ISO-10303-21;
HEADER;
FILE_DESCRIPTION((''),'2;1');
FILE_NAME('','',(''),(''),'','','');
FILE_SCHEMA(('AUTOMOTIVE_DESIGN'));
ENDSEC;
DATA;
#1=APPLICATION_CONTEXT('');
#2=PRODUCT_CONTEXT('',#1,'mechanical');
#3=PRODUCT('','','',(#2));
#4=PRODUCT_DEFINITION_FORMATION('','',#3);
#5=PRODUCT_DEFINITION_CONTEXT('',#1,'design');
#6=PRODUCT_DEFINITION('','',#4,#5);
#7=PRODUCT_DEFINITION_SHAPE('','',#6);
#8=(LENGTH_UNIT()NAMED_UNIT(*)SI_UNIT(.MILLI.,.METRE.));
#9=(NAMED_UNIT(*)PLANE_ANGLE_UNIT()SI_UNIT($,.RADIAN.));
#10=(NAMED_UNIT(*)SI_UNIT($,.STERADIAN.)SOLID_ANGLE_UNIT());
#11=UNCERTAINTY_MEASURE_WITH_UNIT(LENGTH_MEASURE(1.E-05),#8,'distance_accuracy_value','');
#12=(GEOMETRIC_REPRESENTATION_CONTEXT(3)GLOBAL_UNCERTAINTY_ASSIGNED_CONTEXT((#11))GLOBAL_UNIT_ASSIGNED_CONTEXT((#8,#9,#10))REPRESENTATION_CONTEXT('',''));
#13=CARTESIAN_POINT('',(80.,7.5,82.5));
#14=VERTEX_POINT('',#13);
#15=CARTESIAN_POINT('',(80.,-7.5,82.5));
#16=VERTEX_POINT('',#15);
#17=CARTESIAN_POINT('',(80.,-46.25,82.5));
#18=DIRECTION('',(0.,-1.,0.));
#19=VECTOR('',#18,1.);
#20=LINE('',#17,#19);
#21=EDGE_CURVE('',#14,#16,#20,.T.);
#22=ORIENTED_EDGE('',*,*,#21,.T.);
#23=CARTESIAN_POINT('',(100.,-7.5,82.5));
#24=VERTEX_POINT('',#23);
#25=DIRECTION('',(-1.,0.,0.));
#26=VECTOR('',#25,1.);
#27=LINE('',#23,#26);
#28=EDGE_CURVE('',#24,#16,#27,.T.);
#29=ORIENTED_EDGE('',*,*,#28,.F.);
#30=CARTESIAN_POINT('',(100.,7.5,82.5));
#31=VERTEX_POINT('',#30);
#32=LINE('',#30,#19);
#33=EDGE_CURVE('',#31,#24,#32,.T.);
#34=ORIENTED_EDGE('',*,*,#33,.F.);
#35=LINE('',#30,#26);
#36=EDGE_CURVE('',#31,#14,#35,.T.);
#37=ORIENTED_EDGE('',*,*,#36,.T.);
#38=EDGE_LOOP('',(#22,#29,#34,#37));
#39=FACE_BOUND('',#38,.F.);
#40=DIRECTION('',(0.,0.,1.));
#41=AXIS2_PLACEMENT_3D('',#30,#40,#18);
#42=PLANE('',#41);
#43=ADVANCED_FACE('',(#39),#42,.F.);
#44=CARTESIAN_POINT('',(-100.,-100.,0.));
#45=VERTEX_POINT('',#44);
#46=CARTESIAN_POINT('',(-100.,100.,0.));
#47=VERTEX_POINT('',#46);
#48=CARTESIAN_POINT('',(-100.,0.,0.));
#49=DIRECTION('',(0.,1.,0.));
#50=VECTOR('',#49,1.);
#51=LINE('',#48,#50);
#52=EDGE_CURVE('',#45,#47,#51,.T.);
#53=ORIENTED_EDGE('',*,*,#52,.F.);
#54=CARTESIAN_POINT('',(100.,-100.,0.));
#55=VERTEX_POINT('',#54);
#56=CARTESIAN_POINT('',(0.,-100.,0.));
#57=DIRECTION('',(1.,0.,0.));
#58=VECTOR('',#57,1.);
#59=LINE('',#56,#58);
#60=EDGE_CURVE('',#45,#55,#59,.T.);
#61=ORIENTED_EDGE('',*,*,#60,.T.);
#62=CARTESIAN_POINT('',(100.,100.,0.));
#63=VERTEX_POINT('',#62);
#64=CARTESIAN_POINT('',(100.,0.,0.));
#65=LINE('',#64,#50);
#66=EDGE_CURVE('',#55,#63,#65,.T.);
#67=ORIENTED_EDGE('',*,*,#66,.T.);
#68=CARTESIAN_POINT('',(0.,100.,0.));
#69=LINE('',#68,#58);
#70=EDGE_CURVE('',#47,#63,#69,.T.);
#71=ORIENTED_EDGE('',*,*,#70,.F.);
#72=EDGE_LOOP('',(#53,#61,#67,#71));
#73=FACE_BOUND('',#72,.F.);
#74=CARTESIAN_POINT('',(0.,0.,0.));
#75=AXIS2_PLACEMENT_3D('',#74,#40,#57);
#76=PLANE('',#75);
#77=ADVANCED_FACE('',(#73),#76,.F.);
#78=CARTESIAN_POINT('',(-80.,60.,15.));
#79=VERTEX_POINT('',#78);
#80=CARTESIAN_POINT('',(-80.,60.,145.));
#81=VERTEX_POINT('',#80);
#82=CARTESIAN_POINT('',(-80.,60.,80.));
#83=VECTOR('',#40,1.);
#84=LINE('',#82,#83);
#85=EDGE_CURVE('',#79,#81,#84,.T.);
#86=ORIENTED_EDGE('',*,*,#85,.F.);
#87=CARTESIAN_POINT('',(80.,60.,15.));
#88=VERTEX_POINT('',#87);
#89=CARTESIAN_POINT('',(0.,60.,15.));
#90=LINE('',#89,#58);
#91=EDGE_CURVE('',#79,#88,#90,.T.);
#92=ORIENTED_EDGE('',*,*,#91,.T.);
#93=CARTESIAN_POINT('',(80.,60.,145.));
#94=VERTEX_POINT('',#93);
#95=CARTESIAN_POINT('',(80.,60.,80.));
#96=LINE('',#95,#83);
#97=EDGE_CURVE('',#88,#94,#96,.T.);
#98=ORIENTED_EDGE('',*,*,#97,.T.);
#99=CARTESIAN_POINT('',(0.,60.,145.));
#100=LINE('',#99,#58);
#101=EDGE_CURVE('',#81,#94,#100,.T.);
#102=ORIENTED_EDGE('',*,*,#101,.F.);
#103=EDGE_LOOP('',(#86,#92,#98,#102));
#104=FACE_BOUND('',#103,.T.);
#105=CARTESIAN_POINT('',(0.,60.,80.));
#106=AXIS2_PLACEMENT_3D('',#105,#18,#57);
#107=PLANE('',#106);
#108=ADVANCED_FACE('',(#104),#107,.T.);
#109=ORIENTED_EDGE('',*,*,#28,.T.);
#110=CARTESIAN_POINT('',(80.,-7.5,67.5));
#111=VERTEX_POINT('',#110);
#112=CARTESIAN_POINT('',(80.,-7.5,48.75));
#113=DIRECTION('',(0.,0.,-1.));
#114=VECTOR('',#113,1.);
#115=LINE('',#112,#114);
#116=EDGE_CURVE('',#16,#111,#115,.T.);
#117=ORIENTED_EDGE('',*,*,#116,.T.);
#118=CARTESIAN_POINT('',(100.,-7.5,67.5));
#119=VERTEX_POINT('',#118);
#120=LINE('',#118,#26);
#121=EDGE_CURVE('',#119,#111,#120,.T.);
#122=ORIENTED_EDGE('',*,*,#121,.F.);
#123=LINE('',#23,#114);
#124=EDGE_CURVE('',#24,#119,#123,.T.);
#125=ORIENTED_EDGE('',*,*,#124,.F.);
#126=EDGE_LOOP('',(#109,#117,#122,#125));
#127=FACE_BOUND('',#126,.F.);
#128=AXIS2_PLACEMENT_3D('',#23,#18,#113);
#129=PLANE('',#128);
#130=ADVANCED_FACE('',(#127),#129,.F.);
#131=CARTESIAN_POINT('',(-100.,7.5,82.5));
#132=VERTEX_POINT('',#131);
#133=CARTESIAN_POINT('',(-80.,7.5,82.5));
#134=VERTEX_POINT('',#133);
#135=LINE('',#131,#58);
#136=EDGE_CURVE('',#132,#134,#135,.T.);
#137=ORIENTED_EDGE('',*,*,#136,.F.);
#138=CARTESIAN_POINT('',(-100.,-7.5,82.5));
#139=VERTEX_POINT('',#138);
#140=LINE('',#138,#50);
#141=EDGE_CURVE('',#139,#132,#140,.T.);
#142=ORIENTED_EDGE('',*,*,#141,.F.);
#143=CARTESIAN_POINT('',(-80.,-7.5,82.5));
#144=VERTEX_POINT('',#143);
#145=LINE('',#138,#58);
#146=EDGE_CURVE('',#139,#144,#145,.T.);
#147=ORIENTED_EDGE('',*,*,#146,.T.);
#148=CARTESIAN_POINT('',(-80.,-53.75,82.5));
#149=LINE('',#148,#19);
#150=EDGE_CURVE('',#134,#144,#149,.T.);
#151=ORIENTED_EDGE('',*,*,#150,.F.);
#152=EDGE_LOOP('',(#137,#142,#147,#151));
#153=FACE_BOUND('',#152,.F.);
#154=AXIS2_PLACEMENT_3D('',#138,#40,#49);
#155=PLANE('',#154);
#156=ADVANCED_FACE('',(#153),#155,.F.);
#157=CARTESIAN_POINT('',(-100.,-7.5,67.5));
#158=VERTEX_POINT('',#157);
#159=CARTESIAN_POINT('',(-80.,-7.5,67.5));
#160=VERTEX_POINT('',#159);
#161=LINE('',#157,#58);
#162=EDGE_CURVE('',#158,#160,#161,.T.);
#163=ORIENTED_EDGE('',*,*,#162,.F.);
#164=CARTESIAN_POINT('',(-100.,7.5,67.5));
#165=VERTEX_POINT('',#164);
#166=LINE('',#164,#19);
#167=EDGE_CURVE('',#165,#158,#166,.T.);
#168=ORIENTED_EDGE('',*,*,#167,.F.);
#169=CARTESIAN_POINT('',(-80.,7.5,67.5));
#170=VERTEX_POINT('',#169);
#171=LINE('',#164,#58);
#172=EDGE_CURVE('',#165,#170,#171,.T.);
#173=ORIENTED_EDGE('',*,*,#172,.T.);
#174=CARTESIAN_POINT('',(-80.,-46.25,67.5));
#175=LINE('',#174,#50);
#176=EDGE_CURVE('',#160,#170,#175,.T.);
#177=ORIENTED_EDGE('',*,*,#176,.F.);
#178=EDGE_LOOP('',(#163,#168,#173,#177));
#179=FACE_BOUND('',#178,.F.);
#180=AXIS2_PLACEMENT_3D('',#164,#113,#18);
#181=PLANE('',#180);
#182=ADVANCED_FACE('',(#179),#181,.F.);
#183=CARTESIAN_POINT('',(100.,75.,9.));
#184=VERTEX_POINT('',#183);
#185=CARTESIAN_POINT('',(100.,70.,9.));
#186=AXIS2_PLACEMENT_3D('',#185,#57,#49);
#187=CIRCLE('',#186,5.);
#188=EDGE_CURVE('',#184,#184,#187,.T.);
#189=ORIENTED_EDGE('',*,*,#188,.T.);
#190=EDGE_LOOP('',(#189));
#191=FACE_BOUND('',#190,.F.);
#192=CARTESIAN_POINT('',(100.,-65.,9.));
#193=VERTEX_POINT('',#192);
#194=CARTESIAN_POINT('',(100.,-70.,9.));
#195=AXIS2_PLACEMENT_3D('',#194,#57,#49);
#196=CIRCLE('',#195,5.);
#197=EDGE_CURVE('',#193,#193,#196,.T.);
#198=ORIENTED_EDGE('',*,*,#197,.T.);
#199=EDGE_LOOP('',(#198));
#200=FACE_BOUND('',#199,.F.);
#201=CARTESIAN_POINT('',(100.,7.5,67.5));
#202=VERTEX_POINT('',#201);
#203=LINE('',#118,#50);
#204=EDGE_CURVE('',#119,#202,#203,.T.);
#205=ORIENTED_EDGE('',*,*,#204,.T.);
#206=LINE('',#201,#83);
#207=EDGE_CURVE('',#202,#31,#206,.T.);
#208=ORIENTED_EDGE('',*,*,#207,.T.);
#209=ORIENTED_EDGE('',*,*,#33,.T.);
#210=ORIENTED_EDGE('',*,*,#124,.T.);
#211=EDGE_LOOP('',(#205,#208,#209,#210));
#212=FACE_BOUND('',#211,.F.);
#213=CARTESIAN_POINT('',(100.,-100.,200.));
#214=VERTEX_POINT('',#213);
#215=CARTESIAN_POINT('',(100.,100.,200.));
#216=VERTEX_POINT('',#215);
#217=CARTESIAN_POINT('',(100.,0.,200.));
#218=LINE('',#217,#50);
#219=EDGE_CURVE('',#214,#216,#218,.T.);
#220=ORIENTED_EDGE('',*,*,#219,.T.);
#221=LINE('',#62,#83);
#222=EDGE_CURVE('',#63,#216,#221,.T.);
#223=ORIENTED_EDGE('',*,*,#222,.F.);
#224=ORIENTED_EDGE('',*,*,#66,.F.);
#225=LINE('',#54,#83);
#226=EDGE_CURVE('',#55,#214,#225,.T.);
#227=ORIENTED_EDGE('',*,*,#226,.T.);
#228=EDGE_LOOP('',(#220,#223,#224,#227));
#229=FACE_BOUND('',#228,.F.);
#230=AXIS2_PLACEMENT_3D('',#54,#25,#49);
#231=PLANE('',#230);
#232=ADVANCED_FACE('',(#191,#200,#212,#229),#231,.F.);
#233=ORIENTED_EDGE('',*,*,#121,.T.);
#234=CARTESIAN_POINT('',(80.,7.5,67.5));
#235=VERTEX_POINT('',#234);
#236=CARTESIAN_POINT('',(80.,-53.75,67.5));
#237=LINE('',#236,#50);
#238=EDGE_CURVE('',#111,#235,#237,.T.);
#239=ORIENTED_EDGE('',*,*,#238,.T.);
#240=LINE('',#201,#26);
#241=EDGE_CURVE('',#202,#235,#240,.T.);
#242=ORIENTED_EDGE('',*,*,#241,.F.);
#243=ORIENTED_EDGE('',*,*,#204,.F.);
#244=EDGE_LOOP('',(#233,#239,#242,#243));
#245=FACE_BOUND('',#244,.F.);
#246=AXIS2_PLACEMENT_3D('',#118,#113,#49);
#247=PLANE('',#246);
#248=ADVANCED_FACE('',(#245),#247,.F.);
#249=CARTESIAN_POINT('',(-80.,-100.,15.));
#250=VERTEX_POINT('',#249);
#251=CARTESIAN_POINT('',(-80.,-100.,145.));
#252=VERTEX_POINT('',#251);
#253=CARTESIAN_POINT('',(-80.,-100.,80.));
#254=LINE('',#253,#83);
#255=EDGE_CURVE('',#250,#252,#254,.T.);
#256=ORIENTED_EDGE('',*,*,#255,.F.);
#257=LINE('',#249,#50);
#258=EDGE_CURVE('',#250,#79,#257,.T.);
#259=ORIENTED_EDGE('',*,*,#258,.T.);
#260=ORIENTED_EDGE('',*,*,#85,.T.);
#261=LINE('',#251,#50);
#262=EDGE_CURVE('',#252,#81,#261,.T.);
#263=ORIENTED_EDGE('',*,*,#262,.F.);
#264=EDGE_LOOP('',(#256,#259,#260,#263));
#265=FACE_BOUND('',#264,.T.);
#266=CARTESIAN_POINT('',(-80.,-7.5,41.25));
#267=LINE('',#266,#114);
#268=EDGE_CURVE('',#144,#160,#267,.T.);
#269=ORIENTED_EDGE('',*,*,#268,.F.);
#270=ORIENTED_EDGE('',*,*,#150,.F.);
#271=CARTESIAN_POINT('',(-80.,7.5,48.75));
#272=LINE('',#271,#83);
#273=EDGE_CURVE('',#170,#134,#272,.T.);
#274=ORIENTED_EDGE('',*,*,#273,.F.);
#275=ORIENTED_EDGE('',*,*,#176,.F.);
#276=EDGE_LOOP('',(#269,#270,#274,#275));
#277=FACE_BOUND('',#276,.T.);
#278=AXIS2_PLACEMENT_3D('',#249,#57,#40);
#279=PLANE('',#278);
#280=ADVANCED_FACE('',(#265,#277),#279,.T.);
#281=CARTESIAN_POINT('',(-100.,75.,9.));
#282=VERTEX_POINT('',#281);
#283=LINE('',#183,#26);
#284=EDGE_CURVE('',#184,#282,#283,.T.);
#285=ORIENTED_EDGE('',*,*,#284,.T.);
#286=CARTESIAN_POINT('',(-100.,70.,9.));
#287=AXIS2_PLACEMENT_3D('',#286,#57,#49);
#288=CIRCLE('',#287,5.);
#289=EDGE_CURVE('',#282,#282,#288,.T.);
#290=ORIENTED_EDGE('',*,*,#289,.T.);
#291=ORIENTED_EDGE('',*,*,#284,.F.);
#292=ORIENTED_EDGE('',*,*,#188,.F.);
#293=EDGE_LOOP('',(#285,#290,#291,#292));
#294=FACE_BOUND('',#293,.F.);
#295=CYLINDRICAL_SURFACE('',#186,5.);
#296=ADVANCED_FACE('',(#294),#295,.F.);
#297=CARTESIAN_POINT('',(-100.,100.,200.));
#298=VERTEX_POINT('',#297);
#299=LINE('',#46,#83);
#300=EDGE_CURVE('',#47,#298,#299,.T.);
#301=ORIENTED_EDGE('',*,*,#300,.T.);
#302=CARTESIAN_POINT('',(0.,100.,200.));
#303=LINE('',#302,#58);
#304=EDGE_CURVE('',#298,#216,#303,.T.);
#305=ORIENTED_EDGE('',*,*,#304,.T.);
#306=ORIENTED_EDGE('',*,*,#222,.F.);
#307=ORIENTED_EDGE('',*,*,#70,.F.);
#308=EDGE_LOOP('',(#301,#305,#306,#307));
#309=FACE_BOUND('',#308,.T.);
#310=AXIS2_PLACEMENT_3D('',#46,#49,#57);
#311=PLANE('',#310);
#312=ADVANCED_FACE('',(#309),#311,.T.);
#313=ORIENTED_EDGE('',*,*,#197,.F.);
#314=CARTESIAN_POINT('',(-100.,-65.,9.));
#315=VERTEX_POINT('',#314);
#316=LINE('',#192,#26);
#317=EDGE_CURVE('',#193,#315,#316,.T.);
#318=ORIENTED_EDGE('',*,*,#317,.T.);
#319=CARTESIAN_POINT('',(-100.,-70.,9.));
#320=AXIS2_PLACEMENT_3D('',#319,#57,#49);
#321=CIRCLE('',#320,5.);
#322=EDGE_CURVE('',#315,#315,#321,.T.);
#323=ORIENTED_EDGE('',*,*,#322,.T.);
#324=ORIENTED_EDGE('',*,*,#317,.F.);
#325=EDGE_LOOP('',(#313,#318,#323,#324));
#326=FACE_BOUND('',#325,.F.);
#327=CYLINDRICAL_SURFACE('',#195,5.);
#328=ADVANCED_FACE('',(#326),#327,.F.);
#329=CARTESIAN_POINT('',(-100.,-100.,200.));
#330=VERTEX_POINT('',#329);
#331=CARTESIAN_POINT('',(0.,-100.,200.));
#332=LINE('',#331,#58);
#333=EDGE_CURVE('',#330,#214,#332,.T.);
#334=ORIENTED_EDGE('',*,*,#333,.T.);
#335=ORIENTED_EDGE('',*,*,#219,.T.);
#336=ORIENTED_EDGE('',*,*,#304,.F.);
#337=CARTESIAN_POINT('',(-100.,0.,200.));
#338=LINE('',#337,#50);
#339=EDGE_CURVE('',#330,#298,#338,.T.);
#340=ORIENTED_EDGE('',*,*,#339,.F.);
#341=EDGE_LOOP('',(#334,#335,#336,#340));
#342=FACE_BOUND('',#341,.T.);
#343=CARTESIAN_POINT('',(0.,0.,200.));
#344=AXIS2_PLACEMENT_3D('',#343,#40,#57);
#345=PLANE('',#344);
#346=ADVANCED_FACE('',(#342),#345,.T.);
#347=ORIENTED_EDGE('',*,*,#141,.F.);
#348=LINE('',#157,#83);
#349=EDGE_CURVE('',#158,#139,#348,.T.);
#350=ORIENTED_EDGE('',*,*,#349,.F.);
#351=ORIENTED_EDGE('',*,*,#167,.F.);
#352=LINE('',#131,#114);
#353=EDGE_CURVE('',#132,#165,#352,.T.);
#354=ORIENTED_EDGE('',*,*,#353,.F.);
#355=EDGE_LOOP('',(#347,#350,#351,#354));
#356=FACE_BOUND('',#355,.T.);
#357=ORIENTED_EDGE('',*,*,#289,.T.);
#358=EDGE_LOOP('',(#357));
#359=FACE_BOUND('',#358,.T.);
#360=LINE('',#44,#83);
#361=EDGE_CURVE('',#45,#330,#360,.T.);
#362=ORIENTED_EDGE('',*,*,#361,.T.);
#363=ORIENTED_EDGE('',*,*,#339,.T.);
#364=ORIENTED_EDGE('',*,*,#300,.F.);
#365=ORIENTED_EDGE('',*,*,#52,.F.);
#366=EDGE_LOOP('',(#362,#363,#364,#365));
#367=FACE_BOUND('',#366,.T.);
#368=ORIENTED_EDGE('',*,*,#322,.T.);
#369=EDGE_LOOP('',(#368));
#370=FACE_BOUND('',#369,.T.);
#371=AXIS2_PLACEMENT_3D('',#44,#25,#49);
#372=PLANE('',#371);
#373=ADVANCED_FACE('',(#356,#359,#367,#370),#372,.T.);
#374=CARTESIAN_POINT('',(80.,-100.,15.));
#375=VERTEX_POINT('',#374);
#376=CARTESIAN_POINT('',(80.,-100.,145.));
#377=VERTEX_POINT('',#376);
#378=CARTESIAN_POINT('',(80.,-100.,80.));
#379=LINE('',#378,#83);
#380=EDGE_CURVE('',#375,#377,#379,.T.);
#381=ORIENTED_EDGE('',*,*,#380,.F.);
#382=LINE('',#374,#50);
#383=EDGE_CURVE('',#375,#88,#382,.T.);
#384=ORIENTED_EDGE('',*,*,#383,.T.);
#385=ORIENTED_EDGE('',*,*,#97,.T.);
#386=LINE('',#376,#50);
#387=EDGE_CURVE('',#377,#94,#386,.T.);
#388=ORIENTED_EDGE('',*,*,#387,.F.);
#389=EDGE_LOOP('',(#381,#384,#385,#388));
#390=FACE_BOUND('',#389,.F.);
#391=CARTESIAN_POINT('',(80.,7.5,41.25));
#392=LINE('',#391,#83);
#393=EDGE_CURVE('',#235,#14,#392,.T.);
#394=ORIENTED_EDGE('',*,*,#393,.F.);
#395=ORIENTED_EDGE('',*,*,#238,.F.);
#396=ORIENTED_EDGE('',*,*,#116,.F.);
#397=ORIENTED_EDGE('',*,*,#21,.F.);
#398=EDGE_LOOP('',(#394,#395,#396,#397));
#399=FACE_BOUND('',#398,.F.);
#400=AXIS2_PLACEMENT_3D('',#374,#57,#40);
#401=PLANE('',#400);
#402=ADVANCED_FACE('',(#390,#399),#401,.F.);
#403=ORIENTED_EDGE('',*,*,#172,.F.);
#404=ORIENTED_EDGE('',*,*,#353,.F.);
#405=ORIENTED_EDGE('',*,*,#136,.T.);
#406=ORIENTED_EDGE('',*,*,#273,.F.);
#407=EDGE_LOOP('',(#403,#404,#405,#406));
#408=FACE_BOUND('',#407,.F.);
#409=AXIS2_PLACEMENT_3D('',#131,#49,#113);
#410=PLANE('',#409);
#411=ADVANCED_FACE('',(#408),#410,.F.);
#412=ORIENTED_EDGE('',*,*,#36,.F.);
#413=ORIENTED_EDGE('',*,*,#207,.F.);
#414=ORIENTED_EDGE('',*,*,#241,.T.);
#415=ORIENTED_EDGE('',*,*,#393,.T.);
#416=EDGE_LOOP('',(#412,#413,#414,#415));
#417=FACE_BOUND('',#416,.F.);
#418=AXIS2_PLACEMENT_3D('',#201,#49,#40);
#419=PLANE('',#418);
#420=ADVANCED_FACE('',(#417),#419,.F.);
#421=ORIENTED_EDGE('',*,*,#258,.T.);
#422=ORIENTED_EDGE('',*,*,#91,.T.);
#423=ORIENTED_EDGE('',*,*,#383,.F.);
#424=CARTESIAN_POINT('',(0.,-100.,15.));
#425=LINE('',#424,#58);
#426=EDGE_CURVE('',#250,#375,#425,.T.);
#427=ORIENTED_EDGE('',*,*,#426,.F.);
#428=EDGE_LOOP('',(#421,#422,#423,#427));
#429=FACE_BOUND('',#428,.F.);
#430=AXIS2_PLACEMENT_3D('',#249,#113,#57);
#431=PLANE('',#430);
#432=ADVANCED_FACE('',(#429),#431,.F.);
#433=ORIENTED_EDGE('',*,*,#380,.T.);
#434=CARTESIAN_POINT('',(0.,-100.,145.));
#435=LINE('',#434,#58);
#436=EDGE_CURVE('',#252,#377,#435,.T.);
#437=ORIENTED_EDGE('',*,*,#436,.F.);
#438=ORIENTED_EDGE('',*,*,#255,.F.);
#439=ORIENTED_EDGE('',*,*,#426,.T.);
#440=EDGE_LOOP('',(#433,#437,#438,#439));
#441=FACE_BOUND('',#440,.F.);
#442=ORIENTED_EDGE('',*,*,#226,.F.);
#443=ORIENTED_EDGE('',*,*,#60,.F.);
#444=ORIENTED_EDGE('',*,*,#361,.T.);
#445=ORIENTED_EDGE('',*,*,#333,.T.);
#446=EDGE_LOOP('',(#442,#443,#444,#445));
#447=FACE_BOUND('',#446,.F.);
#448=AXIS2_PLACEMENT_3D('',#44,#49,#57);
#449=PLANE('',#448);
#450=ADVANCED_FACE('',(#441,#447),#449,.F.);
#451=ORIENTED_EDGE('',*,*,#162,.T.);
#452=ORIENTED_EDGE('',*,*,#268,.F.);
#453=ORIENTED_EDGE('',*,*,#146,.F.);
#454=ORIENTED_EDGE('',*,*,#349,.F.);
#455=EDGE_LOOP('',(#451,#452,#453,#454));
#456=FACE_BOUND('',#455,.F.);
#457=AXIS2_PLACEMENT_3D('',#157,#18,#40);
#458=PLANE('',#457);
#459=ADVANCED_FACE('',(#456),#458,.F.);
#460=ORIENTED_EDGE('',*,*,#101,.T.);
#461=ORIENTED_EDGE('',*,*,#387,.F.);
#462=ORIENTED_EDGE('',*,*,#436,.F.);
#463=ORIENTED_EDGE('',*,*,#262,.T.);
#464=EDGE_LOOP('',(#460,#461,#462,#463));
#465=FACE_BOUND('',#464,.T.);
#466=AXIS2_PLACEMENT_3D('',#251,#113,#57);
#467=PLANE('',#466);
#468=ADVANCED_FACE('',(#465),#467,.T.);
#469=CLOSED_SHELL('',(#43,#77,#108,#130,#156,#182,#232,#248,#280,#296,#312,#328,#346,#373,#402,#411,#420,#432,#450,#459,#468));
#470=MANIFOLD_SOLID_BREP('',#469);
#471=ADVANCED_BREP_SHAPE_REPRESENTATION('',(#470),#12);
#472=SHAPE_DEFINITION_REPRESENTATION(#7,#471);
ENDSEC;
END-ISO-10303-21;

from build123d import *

# Parameters (mm, degrees)
F0_W           = 200
F0_H           = 200
F1_DEPTH       = 200
F2_W           = 160
F2_H           = 130
F3_DEPTH       = 160
F5_DEPTH       = 24
F7_R           = 5
F8_DEPTH       = 25
F9_DEPTH       = 25
F9_DEPTH_BACK  = 203.2
F10_DEPTH      = 25
F10_DEPTH_BACK = 215.8


with BuildPart() as f1:
    # F0 (on Top) → F1 (new body)
    with BuildSketch(Plane.XY):
        Rectangle(F0_W, F0_H)
    extrude(amount=F1_DEPTH)

    # F2 (on face) → F3 (cut)
    with BuildSketch(Plane.XZ.offset(100)):
        with Locations((0, 80)):
            Rectangle(F2_W, F2_H)
    extrude(amount=-F3_DEPTH, mode=Mode.SUBTRACT)

    # F4 (on face) → F5 (cut)
    with BuildSketch(Plane.YZ.offset(100)):
        Polygon((-7.5, 67.5), (0, 67.5), (7.5, 67.5), (7.5, 82.5), (-7.5, 82.5), align=None)
    extrude(amount=-F5_DEPTH, mode=Mode.SUBTRACT)

    # F6 (on face) + F7 (on face) → F8 (cut)
    with BuildSketch(Plane(origin=(-100, 0, 0), x_dir=(0, -1, 0), z_dir=(-1, 0, 0))):
        Polygon((-7.5, 67.5), (0, 67.5), (7.5, 67.5), (7.5, 82.5), (-7.5, 82.5), align=None)
    with BuildSketch(Plane.YZ.offset(100)):
        with Locations((70, 9)):
            Circle(F7_R)
        with Locations((-70, 9)):
            Circle(F7_R)
    extrude(amount=-F8_DEPTH, mode=Mode.SUBTRACT)

    # F7 (on face) → F9 (cut, two sides)
    with BuildSketch(Plane.YZ.offset(100)) as f9_sk:
        with Locations((-70, 9)):
            Circle(F7_R)
    extrude(amount=F9_DEPTH, mode=Mode.SUBTRACT)
    extrude(f9_sk.sketch, amount=-F9_DEPTH_BACK, mode=Mode.SUBTRACT)

    # F7 (on face) → F10 (cut, two sides)
    with BuildSketch(Plane.YZ.offset(100)) as f10_sk:
        with Locations((70, 9)):
            Circle(F7_R)
    extrude(amount=F10_DEPTH, mode=Mode.SUBTRACT)
    extrude(f10_sk.sketch, amount=-F10_DEPTH_BACK, mode=Mode.SUBTRACT)


solid = f1.part
